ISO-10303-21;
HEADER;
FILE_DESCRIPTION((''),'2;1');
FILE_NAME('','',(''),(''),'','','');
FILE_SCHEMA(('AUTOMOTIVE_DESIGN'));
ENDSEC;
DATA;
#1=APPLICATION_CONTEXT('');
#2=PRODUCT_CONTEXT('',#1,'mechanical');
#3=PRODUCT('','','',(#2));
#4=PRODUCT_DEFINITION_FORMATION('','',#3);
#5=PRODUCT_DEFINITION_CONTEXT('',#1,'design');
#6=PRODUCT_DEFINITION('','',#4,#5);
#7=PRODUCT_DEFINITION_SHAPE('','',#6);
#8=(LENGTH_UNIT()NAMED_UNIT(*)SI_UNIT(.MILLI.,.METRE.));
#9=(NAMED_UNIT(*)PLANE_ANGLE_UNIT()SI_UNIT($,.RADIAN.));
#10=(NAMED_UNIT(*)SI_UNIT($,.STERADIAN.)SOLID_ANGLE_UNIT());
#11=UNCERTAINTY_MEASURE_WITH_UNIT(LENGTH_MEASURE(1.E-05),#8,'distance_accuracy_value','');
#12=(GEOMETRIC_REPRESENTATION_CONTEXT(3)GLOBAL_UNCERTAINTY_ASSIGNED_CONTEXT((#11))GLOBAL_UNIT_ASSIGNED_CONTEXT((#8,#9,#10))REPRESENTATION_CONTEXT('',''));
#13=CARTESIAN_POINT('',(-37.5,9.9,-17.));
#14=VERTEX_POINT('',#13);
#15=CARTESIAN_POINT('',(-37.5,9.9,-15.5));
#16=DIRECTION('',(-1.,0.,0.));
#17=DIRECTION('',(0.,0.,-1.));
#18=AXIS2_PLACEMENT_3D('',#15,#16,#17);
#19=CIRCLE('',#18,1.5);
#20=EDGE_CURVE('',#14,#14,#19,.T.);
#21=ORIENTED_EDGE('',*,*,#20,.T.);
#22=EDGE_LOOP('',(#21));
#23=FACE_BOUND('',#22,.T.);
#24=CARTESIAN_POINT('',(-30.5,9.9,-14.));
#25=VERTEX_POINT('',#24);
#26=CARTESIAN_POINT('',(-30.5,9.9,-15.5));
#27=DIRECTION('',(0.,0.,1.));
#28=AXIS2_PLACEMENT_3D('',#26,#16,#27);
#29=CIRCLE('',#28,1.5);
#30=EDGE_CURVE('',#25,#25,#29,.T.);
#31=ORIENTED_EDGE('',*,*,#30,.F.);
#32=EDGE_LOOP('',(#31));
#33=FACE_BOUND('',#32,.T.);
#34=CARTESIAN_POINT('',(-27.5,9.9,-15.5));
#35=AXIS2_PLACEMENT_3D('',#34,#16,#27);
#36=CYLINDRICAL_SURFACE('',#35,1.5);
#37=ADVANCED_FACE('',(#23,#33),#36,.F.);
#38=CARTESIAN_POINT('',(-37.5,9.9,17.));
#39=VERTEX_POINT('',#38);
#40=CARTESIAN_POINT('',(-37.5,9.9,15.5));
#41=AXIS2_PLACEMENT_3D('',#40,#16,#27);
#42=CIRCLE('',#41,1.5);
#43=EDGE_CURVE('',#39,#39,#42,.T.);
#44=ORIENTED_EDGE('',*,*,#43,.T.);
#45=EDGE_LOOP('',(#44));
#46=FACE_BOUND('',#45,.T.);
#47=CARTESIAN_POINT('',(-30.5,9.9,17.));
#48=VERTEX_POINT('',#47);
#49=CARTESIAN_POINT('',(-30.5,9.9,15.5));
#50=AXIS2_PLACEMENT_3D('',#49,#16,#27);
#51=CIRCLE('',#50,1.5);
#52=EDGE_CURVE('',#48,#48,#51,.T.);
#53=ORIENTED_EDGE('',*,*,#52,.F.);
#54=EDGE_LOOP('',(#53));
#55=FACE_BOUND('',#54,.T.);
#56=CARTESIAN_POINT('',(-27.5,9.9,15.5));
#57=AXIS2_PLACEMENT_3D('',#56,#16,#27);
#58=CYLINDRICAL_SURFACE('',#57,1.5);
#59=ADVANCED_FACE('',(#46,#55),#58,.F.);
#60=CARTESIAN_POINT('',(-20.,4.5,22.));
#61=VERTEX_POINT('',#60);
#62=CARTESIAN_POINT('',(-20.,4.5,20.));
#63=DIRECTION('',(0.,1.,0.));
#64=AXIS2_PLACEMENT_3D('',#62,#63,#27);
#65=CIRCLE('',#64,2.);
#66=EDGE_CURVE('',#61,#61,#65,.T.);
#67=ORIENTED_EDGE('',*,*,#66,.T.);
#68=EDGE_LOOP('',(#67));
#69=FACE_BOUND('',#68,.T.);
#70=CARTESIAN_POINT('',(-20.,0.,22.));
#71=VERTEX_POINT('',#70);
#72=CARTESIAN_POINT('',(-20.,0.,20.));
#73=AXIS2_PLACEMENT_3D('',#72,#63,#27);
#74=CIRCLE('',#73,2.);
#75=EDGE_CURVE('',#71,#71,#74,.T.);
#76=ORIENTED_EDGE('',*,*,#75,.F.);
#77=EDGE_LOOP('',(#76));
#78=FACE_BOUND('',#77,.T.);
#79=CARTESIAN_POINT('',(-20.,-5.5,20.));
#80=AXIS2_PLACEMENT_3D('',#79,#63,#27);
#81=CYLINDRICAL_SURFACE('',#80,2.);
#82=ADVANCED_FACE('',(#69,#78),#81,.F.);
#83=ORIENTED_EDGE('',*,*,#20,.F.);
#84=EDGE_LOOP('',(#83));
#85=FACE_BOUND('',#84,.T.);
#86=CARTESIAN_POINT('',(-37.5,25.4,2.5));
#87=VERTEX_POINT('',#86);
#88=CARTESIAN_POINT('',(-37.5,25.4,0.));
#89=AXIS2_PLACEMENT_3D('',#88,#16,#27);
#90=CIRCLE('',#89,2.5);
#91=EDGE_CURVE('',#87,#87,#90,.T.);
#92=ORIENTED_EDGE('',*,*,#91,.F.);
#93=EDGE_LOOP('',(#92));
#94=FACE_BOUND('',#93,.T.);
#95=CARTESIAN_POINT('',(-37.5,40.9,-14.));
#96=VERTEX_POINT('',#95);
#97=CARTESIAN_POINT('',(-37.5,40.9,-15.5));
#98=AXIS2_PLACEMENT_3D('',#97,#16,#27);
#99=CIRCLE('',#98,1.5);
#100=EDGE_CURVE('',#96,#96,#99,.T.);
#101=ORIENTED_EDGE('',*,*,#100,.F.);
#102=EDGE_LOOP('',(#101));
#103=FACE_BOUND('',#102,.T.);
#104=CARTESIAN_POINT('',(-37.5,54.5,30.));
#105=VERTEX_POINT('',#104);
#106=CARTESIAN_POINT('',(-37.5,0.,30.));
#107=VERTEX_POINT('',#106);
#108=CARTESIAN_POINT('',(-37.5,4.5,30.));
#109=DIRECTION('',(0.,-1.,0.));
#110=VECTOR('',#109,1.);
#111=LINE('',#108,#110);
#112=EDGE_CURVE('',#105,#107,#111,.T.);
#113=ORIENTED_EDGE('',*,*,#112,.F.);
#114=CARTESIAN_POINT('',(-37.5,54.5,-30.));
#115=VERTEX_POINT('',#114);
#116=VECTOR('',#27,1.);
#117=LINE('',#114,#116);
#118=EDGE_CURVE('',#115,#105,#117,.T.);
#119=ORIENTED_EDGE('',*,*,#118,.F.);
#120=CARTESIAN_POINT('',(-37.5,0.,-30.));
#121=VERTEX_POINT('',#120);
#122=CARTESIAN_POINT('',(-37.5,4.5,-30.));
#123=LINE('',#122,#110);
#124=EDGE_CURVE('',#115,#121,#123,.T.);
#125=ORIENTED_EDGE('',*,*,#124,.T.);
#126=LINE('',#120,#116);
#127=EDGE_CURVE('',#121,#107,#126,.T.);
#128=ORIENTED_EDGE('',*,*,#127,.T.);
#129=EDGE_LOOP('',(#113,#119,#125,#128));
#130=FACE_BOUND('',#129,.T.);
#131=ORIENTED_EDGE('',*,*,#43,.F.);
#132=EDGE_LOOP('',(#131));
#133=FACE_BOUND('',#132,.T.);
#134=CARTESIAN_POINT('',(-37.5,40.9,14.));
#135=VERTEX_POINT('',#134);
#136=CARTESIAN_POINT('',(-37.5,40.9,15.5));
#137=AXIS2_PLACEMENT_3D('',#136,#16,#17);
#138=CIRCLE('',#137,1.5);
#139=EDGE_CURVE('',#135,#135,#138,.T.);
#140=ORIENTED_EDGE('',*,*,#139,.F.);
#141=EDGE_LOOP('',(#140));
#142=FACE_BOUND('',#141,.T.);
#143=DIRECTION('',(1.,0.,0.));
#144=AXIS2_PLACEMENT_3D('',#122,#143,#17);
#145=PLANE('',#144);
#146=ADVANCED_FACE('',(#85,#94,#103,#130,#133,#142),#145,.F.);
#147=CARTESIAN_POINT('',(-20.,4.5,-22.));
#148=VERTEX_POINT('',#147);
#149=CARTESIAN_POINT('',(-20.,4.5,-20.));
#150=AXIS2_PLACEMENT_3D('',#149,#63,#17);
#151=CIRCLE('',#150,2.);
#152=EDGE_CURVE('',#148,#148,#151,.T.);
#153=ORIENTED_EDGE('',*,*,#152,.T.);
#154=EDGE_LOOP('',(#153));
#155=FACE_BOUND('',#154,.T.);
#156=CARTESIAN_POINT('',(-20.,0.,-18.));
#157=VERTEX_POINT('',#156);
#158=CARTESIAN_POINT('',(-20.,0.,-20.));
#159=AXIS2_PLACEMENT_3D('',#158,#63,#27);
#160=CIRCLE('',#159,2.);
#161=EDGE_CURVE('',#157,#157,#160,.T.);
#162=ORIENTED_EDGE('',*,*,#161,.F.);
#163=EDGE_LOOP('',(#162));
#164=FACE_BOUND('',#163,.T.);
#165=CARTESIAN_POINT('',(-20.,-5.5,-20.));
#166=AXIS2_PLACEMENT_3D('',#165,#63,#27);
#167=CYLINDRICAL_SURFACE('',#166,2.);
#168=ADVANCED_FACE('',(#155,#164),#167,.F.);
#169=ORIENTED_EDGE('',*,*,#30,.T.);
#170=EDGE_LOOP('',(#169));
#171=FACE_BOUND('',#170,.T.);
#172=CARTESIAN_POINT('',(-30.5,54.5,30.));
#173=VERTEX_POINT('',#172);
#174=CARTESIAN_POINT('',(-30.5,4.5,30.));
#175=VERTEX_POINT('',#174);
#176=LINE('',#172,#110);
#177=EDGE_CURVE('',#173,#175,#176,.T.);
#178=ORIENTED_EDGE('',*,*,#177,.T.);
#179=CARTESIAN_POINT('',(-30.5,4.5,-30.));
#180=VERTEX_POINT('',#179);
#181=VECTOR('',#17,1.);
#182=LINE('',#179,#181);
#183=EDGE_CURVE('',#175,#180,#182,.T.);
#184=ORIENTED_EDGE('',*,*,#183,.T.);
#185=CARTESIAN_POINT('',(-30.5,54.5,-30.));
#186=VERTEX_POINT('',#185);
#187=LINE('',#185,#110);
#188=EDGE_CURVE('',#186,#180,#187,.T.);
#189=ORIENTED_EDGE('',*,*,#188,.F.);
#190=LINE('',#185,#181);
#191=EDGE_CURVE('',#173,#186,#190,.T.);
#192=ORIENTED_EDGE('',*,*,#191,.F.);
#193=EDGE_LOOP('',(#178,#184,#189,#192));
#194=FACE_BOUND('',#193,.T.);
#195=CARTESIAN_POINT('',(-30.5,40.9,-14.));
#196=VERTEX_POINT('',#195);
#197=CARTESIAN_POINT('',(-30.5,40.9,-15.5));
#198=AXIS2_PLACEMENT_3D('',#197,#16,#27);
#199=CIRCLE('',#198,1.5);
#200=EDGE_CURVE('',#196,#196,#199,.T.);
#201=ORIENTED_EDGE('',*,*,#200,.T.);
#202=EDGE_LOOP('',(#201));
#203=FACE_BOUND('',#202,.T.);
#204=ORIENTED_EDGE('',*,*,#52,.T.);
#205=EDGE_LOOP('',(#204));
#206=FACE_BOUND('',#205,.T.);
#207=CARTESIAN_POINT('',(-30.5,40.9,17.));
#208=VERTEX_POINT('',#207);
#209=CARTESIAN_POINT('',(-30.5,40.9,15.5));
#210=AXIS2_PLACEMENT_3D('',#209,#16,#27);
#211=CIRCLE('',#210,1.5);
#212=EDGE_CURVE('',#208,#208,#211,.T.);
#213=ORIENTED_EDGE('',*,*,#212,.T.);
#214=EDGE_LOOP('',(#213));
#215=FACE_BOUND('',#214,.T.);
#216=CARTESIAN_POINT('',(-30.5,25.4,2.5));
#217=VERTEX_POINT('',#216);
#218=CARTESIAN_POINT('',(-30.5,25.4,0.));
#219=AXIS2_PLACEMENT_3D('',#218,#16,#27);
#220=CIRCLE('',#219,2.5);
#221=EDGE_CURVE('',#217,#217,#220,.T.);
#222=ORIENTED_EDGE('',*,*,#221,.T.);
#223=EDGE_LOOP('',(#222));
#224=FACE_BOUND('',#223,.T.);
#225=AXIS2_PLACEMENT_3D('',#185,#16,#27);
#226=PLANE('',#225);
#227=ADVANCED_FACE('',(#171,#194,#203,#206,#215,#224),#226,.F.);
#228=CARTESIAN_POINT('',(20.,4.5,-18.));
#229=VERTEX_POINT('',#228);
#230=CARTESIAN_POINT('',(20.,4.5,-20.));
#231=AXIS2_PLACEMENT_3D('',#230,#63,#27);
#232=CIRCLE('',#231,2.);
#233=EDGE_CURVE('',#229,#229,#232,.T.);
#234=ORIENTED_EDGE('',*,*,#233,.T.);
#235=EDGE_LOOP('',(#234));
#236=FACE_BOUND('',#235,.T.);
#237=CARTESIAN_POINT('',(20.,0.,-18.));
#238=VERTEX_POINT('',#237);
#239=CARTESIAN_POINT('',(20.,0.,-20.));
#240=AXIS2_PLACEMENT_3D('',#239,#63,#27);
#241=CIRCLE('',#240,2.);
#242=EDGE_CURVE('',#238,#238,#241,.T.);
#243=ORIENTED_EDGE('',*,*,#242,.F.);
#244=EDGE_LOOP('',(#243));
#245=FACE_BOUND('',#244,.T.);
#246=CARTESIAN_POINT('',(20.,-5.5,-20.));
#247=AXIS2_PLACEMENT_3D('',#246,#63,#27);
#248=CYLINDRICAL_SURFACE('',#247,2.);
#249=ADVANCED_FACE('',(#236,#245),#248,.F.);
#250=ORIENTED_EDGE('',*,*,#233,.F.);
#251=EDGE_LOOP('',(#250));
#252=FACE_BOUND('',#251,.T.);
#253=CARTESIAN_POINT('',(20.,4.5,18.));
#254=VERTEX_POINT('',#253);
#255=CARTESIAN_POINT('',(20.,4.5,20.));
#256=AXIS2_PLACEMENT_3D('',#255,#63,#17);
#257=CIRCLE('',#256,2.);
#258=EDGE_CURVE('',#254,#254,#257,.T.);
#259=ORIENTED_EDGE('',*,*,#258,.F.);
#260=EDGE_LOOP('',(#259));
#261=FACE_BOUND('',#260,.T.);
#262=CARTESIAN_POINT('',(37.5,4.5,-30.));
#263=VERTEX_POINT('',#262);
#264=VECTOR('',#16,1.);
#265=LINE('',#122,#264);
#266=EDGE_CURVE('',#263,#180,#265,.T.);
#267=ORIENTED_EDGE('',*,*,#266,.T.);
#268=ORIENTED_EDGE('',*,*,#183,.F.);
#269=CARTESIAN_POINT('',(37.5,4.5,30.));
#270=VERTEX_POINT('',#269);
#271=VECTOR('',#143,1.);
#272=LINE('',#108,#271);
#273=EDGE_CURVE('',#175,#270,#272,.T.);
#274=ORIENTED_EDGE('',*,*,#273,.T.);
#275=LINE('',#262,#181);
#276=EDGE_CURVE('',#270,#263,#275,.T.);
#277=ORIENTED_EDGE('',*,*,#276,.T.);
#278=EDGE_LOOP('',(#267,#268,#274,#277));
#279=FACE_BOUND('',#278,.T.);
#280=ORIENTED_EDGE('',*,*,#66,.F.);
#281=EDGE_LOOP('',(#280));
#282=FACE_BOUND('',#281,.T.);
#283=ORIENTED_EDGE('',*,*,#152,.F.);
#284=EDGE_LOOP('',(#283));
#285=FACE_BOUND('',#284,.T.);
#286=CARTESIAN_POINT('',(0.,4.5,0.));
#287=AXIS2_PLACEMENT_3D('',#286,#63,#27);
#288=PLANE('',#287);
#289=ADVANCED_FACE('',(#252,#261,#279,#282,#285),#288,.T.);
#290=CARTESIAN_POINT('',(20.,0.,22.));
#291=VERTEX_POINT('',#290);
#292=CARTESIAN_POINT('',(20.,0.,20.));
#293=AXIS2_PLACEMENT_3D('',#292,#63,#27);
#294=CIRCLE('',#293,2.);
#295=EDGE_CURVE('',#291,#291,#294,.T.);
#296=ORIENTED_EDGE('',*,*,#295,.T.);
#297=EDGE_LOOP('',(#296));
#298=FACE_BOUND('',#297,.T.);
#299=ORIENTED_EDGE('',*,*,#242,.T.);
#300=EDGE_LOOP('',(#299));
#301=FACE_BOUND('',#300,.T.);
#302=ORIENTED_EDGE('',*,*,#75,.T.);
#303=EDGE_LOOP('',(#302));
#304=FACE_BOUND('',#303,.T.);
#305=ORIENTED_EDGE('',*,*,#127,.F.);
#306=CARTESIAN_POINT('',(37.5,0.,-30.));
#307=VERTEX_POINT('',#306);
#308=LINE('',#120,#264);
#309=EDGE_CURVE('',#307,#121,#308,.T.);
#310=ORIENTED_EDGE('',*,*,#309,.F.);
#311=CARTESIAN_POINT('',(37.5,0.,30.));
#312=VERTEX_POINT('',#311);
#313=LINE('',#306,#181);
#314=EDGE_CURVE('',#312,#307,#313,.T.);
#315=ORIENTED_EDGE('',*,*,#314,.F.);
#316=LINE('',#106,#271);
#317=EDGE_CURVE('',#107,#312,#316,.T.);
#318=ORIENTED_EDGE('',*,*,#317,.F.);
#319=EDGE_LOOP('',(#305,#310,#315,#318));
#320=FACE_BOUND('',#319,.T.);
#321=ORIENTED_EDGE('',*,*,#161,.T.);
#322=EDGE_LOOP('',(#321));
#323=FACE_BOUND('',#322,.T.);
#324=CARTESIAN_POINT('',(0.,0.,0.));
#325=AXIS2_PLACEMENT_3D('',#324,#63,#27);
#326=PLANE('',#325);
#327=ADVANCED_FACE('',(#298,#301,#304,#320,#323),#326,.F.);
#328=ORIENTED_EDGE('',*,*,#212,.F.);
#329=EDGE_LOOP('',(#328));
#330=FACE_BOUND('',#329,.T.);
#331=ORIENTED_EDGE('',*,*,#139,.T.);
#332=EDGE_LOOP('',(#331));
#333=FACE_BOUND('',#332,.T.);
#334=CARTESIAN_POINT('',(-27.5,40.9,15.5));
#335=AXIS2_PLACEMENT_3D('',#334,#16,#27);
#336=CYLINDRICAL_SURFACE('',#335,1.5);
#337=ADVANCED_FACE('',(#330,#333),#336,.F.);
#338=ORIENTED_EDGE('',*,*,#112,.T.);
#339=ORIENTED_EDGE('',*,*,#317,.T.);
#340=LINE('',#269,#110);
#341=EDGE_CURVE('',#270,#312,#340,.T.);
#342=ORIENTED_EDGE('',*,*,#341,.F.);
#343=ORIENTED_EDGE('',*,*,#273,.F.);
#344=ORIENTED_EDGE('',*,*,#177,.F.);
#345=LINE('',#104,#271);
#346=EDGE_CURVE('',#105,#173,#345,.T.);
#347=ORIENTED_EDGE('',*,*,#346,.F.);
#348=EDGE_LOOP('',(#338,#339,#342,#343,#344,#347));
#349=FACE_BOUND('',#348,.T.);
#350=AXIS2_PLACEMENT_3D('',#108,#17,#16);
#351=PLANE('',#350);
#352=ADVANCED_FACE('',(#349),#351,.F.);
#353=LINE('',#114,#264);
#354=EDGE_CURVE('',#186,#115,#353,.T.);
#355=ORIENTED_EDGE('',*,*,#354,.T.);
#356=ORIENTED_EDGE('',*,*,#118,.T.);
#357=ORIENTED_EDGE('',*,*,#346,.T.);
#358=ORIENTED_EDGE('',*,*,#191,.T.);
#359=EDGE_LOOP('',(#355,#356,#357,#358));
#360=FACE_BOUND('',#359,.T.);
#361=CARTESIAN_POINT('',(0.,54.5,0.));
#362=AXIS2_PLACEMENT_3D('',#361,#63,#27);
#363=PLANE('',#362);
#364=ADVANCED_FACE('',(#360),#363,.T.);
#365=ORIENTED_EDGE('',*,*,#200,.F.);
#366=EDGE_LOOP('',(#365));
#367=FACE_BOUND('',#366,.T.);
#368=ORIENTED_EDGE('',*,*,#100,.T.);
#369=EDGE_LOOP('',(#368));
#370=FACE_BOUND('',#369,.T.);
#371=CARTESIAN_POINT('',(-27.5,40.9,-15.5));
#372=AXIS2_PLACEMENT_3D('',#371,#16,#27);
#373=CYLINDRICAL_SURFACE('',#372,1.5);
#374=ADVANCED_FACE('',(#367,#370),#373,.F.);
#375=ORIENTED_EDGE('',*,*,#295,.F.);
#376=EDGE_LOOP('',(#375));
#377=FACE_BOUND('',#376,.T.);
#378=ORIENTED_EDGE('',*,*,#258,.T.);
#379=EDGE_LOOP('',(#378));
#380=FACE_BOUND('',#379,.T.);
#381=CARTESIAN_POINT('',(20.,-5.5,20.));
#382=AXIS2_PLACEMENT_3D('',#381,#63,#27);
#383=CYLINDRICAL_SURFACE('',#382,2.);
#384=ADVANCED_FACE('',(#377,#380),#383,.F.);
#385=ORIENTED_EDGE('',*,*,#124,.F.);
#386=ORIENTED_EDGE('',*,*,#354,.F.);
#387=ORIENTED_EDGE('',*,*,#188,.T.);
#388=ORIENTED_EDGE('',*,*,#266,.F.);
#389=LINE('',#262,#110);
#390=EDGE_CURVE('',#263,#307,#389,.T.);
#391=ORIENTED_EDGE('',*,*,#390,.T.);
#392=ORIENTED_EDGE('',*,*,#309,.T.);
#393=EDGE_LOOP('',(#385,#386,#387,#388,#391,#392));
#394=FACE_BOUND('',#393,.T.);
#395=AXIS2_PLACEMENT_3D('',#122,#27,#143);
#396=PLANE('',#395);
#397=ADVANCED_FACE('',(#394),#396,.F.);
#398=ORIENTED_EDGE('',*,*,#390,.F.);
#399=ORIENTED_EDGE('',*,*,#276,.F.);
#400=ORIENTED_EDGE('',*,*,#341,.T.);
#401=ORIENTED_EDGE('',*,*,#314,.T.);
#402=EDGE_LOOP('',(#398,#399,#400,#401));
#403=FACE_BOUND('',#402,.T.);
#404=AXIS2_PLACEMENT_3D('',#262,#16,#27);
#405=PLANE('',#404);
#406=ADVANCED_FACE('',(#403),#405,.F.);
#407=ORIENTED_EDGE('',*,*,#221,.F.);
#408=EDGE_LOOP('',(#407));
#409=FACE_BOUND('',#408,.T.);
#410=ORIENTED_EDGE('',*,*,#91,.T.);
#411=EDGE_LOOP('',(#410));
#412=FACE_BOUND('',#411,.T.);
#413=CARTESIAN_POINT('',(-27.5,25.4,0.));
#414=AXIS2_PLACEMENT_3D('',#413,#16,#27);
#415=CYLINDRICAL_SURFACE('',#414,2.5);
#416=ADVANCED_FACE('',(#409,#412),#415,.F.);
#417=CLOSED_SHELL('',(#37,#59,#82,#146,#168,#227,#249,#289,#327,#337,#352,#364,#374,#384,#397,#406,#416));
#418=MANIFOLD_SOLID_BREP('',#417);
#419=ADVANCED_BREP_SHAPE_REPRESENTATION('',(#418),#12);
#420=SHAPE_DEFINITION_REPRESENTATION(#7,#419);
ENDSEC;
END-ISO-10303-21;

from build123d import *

# Parameters (mm, degrees)
SKETCH1_W           = 75
SKETCH1_H           = 60
BOSS_EXTRUDE1_DEPTH = 4.5
SKETCH2_W           = 7
SKETCH2_H           = 60
BOSS_EXTRUDE2_DEPTH = 50
SKETCH3_R           = 1.5
SKETCH3_R_2         = 2.5
CUT_EXTRUDE1_DEPTH  = 10
SKETCH6_R           = 2
CUT_EXTRUDE2_DEPTH  = 10


with BuildPart() as part:
    # Sketch1 → Boss-Extrude1 (new body)
    with BuildSketch(Plane(origin=(0, 0, 0), x_dir=(1, 0, 0), z_dir=(0, 1, 0))):
        Rectangle(SKETCH1_W, SKETCH1_H)
    extrude(amount=BOSS_EXTRUDE1_DEPTH)

    # Sketch2 → Boss-Extrude2 (add)
    with BuildSketch(Plane(origin=(0, 4.5, 0), x_dir=(1, 0, 0), z_dir=(0, 1, 0))):
        with Locations((-34, 0)):
            Rectangle(SKETCH2_W, SKETCH2_H)
    extrude(amount=BOSS_EXTRUDE2_DEPTH)

    # Sketch3 → Cut-Extrude1 (cut)
    with BuildSketch(Plane.ZY.offset(37.5)):
        with Locations((-15.5, 40.9)):
            Circle(SKETCH3_R)
        with Locations((15.5, 40.9)):
            Circle(SKETCH3_R)
        with Locations((15.5, 9.9)):
            Circle(SKETCH3_R)
        with Locations((-15.5, 9.9)):
            Circle(SKETCH3_R)
        with Locations((0, 25.4)):
            Circle(SKETCH3_R_2)
    extrude(amount=-CUT_EXTRUDE1_DEPTH, mode=Mode.SUBTRACT)

    # Sketch6 → Cut-Extrude2 (cut)
    with BuildSketch(Plane(origin=(0, 4.5, 0), x_dir=(1, 0, 0), z_dir=(0, 1, 0))):
        with Locations(Location((20, 20, 0), (0, 0, 270))):
            Circle(SKETCH6_R)
        with Locations(Location((-20, 20, 0), (0, 0, 270))):
            Circle(SKETCH6_R)
        with Locations(Location((20, -20, 0), (0, 0, 270))):
            Circle(SKETCH6_R)
        with Locations(Location((-20, -20, 0), (0, 0, 270))):
            Circle(SKETCH6_R)
    extrude(amount=-CUT_EXTRUDE2_DEPTH, mode=Mode.SUBTRACT)


solid = part.part
